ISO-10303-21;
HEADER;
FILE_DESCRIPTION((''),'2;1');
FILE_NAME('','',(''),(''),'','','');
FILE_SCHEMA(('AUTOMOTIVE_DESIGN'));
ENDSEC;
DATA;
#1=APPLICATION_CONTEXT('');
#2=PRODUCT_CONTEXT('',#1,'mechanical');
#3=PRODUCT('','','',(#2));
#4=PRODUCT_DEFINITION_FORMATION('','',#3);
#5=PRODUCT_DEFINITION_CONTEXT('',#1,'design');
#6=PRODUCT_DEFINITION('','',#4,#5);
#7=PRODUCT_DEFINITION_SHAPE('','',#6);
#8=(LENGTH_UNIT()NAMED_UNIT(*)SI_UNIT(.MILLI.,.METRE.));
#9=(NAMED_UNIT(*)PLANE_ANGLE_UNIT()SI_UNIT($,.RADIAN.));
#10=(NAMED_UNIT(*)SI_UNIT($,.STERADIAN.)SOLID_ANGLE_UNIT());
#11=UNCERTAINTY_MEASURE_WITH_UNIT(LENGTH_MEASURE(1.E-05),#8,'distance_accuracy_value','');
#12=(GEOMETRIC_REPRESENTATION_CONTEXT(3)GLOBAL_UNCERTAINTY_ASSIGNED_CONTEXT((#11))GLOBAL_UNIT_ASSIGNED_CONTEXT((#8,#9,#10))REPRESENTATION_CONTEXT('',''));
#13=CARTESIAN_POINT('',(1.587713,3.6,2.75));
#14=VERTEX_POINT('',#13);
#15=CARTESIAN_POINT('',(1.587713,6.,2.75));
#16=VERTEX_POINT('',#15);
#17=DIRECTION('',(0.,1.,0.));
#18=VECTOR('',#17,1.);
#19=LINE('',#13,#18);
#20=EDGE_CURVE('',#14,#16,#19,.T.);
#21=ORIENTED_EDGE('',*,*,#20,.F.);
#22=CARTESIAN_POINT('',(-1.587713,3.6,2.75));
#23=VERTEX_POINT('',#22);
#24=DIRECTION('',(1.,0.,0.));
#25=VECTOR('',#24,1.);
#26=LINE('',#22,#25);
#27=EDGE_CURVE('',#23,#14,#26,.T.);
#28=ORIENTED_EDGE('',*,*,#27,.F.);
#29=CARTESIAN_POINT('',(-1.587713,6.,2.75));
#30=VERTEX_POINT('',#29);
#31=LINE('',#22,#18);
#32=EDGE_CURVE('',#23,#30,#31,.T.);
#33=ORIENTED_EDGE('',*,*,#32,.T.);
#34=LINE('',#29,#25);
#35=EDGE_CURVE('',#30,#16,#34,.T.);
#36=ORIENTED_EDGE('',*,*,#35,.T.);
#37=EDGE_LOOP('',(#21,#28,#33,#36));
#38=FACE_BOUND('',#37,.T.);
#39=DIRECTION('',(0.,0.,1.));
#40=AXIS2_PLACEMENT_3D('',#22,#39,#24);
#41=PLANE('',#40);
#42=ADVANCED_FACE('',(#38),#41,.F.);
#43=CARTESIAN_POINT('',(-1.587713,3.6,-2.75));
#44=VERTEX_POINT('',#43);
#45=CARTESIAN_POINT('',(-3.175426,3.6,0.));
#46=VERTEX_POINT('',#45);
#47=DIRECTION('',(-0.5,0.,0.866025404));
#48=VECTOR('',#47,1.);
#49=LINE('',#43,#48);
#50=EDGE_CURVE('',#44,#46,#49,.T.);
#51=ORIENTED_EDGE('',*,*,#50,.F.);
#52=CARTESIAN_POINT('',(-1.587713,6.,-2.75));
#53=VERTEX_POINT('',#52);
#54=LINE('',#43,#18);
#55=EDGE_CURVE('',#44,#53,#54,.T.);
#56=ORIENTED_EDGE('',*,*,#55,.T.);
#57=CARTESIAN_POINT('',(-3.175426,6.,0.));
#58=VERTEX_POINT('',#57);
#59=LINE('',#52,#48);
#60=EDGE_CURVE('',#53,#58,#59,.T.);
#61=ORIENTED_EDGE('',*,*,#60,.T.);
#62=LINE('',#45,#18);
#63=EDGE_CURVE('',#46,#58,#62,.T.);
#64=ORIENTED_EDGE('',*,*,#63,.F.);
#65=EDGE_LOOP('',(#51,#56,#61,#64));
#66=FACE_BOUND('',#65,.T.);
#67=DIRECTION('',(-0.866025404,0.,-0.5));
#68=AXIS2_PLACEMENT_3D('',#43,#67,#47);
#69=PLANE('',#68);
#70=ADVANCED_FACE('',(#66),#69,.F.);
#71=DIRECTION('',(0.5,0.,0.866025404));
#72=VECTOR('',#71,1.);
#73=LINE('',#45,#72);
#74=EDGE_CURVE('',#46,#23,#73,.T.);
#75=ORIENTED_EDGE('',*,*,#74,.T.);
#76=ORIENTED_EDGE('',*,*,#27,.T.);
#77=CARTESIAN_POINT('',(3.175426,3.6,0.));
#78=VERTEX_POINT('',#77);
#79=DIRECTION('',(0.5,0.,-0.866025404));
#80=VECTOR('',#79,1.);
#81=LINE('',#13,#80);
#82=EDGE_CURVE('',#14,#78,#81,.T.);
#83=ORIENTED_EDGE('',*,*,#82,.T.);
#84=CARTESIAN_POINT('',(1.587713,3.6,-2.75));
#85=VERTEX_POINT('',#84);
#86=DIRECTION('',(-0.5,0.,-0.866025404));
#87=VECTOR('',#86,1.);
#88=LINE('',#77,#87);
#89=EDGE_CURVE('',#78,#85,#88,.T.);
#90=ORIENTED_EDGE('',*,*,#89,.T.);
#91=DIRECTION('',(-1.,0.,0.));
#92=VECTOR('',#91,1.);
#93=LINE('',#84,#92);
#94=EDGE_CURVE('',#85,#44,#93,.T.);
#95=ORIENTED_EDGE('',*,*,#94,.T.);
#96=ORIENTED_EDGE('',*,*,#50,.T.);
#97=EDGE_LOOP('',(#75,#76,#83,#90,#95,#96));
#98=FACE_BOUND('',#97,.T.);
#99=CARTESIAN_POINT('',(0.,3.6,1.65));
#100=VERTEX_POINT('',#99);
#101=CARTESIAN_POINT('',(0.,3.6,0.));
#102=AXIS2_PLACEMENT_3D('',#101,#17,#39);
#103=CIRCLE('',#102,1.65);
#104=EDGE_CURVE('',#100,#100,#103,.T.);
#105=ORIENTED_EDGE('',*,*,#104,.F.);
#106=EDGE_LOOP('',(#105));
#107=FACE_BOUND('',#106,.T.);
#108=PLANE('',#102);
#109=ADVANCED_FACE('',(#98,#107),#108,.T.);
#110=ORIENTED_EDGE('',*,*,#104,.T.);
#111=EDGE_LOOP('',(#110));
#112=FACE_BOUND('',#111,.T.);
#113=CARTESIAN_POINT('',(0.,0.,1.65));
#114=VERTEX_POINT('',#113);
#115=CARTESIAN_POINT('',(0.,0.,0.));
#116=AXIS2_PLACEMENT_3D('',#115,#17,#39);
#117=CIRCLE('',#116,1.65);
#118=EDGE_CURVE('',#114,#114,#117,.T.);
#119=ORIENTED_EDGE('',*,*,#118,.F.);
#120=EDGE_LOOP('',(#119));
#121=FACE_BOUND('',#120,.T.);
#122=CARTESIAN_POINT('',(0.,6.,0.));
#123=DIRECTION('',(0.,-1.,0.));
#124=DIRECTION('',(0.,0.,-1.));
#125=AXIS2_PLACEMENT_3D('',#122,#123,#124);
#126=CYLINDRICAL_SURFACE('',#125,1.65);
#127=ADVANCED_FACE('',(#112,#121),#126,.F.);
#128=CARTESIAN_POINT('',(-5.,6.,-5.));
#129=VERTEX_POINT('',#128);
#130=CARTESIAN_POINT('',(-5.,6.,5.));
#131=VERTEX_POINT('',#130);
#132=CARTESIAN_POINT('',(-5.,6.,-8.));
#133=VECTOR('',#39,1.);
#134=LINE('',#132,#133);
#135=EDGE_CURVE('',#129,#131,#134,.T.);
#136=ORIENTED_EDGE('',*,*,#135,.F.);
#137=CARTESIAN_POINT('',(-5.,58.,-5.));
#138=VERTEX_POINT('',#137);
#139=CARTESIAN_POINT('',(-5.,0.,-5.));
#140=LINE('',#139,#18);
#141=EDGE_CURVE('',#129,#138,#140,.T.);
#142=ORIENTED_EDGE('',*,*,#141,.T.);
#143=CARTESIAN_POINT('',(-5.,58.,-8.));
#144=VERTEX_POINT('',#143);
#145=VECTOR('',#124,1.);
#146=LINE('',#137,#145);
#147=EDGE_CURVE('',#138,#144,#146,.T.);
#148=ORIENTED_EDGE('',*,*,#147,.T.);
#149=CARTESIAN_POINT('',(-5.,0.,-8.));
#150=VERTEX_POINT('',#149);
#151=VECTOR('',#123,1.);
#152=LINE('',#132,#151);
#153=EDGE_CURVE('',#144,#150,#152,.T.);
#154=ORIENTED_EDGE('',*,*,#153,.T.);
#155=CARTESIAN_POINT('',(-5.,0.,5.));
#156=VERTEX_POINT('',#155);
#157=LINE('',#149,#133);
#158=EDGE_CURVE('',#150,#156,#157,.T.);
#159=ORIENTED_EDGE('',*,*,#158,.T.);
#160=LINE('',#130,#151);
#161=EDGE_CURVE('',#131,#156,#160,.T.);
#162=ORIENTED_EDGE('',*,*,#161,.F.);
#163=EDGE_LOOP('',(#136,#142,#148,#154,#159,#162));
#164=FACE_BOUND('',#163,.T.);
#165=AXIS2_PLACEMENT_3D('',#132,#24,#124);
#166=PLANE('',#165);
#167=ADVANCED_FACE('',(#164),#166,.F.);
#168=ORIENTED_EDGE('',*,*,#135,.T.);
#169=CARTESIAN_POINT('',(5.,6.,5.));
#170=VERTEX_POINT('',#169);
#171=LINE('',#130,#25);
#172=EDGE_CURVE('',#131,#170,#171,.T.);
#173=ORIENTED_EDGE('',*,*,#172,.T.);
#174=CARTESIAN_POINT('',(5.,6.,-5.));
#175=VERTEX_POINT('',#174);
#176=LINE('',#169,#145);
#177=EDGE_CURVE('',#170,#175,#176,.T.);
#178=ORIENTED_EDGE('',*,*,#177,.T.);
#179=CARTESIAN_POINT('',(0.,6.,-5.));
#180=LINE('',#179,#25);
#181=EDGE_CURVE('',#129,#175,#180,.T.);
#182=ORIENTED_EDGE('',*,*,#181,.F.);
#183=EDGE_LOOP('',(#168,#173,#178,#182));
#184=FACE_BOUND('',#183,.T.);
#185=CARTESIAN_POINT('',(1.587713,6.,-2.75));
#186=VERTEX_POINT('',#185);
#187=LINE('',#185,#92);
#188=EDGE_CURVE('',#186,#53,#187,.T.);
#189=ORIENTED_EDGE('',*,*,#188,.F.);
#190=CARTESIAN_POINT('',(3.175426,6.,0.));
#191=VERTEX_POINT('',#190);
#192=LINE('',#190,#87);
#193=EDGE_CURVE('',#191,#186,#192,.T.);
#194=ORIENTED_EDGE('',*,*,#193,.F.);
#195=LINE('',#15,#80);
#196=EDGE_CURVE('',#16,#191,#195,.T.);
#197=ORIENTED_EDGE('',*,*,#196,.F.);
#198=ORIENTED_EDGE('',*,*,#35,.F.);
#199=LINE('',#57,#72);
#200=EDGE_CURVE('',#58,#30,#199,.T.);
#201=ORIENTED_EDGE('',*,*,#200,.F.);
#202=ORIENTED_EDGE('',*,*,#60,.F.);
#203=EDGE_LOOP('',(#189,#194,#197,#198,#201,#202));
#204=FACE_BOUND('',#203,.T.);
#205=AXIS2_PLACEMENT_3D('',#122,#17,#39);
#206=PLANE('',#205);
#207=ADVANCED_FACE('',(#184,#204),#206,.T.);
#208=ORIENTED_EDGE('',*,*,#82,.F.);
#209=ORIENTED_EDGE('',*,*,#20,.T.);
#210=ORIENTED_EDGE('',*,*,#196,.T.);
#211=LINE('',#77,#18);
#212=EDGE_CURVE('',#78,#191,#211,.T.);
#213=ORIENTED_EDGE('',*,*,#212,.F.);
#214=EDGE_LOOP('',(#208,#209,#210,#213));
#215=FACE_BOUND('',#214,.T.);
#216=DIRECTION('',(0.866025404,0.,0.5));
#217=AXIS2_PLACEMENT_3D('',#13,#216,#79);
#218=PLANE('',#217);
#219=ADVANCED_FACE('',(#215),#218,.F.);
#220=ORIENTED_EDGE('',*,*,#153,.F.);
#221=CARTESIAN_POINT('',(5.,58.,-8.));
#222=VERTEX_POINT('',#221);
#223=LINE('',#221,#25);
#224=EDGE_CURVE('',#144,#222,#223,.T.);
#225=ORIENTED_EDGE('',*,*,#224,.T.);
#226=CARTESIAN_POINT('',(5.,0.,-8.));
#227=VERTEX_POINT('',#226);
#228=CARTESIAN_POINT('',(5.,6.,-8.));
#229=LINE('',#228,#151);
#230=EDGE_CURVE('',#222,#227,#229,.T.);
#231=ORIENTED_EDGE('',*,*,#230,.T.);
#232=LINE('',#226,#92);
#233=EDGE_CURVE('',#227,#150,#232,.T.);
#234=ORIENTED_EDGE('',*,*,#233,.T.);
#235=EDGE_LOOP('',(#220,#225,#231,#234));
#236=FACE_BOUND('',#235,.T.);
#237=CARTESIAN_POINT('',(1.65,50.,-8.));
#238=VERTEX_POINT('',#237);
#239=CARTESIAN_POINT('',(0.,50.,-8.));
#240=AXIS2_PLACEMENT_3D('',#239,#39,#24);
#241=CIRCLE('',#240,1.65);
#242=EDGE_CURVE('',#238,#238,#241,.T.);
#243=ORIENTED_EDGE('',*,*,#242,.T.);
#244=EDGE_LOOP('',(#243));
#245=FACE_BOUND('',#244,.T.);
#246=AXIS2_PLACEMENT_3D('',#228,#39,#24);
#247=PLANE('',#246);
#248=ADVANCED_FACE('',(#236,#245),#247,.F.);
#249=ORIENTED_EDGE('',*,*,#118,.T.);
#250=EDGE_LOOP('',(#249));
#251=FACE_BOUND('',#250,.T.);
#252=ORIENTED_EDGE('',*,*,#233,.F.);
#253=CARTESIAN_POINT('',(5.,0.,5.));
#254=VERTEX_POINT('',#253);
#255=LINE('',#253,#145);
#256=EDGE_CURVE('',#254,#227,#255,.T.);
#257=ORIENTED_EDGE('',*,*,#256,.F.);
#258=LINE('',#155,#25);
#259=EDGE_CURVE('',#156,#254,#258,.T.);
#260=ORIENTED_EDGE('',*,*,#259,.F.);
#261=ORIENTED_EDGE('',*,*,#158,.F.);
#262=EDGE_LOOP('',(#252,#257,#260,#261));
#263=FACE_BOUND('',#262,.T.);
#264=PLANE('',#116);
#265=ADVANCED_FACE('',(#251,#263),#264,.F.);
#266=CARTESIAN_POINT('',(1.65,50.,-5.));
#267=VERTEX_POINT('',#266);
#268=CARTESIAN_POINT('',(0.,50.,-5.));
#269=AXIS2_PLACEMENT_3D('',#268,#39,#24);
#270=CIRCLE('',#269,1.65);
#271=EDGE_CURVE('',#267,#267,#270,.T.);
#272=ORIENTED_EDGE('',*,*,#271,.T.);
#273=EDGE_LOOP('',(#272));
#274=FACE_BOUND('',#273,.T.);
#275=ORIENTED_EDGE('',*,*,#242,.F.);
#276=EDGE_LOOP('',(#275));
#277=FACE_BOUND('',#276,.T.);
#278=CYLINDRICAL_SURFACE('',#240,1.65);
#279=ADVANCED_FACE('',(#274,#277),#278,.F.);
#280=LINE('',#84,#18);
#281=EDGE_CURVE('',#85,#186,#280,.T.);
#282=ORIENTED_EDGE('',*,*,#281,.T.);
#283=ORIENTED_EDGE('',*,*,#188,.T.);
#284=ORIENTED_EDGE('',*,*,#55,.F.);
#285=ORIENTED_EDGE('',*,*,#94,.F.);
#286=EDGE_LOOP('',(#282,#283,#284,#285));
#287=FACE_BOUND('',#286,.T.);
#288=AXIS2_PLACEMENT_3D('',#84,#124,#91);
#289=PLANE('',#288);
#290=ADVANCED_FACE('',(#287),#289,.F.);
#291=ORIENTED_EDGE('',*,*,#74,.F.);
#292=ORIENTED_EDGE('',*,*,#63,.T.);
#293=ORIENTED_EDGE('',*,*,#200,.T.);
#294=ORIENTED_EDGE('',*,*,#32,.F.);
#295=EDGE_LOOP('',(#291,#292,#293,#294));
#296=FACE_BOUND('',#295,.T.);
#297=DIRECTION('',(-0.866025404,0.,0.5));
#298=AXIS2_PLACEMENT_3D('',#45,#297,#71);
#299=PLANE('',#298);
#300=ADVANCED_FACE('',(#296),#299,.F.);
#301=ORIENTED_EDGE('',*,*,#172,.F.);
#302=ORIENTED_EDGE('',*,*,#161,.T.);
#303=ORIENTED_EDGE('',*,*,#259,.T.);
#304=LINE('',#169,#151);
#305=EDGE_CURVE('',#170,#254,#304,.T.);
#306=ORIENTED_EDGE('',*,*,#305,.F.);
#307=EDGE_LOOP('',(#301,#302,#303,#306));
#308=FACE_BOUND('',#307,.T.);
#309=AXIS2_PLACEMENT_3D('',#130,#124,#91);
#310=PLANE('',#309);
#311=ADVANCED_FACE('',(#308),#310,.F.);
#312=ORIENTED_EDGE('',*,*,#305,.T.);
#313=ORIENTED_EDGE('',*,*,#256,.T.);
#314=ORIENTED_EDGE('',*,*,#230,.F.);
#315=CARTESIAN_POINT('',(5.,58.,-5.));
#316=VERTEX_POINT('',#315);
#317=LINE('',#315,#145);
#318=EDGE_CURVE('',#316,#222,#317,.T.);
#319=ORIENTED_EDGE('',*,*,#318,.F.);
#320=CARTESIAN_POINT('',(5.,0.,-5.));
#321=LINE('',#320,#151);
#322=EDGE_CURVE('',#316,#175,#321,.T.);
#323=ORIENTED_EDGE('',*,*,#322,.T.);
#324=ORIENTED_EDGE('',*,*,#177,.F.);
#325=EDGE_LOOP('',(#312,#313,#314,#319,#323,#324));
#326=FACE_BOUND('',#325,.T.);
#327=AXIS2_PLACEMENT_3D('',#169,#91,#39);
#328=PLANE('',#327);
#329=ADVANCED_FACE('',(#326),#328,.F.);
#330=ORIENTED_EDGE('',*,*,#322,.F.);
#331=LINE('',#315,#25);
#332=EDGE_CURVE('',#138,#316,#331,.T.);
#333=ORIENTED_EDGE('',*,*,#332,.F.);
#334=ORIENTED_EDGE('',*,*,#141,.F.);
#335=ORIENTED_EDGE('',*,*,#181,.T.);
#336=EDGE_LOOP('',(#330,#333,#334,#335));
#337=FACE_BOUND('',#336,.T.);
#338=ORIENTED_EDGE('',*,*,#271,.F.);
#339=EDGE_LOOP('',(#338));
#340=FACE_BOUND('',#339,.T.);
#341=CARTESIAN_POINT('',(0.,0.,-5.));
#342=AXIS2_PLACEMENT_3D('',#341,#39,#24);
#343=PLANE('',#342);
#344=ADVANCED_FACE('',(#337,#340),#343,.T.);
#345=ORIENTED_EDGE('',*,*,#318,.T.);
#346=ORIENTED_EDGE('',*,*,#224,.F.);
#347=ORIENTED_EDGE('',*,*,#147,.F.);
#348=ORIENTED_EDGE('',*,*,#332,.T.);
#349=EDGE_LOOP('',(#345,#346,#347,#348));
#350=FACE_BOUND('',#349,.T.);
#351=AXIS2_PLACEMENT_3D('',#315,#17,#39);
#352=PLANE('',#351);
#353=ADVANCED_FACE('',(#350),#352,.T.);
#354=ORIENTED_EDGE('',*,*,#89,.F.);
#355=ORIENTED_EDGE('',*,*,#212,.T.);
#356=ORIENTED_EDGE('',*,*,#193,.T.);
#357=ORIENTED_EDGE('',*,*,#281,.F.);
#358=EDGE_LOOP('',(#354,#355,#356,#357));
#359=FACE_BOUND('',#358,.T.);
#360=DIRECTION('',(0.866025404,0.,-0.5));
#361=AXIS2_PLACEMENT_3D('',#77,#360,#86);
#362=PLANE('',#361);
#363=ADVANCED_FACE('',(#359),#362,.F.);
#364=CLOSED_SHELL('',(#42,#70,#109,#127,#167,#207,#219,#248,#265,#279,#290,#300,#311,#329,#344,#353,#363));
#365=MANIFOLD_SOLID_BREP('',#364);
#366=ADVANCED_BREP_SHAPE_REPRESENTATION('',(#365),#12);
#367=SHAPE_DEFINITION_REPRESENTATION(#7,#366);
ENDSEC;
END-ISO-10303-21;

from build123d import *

# Parameters (mm, degrees)
SKETCH1_W           = 10
SKETCH1_H           = 13
SKETCH1_R           = 1.65
BOSS_EXTRUDE1_DEPTH = 6
CUT_EXTRUDE1_DEPTH  = 2.4
SKETCH3_W           = 10
SKETCH3_H           = 58
BOSS_EXTRUDE2_DEPTH = 3
SKETCH4_R           = 1.65
CUT_EXTRUDE2_DEPTH  = 3


with BuildPart() as part:
    # Sketch1 → Boss-Extrude1 (new body)
    with BuildSketch(Plane(origin=(0, 0, 0), x_dir=(1, 0, 0), z_dir=(0, 1, 0))):
        with Locations((0, 1.5)):
            Rectangle(SKETCH1_W, SKETCH1_H)
        Circle(SKETCH1_R, mode=Mode.SUBTRACT)
    extrude(amount=BOSS_EXTRUDE1_DEPTH)

    # Sketch2 → Cut-Extrude1 (cut)
    with BuildSketch(Plane(origin=(0, 6, 0), x_dir=(1, 0, 0), z_dir=(0, 1, 0))):
        Polygon((3.175426481, 0), (1.58771324, 2.75), (-1.58771324, 2.75), (-3.175426481, 0), (-1.58771324, -2.75), (1.58771324, -2.75), align=None)
    extrude(amount=-CUT_EXTRUDE1_DEPTH, mode=Mode.SUBTRACT)

    # Sketch3 → Boss-Extrude2 (add)
    with BuildSketch(Plane(origin=(0, 0, -8), x_dir=(-1, 0, 0), z_dir=(0, 0, -1))):
        with Locations((0, 29)):
            Rectangle(SKETCH3_W, SKETCH3_H)
    extrude(amount=-BOSS_EXTRUDE2_DEPTH)

    # Sketch4 → Cut-Extrude2 (cut)
    with BuildSketch(Plane.XY.offset(-5)):
        with Locations((0, 50)):
            Circle(SKETCH4_R)
    extrude(amount=-CUT_EXTRUDE2_DEPTH, mode=Mode.SUBTRACT)


solid = part.part
